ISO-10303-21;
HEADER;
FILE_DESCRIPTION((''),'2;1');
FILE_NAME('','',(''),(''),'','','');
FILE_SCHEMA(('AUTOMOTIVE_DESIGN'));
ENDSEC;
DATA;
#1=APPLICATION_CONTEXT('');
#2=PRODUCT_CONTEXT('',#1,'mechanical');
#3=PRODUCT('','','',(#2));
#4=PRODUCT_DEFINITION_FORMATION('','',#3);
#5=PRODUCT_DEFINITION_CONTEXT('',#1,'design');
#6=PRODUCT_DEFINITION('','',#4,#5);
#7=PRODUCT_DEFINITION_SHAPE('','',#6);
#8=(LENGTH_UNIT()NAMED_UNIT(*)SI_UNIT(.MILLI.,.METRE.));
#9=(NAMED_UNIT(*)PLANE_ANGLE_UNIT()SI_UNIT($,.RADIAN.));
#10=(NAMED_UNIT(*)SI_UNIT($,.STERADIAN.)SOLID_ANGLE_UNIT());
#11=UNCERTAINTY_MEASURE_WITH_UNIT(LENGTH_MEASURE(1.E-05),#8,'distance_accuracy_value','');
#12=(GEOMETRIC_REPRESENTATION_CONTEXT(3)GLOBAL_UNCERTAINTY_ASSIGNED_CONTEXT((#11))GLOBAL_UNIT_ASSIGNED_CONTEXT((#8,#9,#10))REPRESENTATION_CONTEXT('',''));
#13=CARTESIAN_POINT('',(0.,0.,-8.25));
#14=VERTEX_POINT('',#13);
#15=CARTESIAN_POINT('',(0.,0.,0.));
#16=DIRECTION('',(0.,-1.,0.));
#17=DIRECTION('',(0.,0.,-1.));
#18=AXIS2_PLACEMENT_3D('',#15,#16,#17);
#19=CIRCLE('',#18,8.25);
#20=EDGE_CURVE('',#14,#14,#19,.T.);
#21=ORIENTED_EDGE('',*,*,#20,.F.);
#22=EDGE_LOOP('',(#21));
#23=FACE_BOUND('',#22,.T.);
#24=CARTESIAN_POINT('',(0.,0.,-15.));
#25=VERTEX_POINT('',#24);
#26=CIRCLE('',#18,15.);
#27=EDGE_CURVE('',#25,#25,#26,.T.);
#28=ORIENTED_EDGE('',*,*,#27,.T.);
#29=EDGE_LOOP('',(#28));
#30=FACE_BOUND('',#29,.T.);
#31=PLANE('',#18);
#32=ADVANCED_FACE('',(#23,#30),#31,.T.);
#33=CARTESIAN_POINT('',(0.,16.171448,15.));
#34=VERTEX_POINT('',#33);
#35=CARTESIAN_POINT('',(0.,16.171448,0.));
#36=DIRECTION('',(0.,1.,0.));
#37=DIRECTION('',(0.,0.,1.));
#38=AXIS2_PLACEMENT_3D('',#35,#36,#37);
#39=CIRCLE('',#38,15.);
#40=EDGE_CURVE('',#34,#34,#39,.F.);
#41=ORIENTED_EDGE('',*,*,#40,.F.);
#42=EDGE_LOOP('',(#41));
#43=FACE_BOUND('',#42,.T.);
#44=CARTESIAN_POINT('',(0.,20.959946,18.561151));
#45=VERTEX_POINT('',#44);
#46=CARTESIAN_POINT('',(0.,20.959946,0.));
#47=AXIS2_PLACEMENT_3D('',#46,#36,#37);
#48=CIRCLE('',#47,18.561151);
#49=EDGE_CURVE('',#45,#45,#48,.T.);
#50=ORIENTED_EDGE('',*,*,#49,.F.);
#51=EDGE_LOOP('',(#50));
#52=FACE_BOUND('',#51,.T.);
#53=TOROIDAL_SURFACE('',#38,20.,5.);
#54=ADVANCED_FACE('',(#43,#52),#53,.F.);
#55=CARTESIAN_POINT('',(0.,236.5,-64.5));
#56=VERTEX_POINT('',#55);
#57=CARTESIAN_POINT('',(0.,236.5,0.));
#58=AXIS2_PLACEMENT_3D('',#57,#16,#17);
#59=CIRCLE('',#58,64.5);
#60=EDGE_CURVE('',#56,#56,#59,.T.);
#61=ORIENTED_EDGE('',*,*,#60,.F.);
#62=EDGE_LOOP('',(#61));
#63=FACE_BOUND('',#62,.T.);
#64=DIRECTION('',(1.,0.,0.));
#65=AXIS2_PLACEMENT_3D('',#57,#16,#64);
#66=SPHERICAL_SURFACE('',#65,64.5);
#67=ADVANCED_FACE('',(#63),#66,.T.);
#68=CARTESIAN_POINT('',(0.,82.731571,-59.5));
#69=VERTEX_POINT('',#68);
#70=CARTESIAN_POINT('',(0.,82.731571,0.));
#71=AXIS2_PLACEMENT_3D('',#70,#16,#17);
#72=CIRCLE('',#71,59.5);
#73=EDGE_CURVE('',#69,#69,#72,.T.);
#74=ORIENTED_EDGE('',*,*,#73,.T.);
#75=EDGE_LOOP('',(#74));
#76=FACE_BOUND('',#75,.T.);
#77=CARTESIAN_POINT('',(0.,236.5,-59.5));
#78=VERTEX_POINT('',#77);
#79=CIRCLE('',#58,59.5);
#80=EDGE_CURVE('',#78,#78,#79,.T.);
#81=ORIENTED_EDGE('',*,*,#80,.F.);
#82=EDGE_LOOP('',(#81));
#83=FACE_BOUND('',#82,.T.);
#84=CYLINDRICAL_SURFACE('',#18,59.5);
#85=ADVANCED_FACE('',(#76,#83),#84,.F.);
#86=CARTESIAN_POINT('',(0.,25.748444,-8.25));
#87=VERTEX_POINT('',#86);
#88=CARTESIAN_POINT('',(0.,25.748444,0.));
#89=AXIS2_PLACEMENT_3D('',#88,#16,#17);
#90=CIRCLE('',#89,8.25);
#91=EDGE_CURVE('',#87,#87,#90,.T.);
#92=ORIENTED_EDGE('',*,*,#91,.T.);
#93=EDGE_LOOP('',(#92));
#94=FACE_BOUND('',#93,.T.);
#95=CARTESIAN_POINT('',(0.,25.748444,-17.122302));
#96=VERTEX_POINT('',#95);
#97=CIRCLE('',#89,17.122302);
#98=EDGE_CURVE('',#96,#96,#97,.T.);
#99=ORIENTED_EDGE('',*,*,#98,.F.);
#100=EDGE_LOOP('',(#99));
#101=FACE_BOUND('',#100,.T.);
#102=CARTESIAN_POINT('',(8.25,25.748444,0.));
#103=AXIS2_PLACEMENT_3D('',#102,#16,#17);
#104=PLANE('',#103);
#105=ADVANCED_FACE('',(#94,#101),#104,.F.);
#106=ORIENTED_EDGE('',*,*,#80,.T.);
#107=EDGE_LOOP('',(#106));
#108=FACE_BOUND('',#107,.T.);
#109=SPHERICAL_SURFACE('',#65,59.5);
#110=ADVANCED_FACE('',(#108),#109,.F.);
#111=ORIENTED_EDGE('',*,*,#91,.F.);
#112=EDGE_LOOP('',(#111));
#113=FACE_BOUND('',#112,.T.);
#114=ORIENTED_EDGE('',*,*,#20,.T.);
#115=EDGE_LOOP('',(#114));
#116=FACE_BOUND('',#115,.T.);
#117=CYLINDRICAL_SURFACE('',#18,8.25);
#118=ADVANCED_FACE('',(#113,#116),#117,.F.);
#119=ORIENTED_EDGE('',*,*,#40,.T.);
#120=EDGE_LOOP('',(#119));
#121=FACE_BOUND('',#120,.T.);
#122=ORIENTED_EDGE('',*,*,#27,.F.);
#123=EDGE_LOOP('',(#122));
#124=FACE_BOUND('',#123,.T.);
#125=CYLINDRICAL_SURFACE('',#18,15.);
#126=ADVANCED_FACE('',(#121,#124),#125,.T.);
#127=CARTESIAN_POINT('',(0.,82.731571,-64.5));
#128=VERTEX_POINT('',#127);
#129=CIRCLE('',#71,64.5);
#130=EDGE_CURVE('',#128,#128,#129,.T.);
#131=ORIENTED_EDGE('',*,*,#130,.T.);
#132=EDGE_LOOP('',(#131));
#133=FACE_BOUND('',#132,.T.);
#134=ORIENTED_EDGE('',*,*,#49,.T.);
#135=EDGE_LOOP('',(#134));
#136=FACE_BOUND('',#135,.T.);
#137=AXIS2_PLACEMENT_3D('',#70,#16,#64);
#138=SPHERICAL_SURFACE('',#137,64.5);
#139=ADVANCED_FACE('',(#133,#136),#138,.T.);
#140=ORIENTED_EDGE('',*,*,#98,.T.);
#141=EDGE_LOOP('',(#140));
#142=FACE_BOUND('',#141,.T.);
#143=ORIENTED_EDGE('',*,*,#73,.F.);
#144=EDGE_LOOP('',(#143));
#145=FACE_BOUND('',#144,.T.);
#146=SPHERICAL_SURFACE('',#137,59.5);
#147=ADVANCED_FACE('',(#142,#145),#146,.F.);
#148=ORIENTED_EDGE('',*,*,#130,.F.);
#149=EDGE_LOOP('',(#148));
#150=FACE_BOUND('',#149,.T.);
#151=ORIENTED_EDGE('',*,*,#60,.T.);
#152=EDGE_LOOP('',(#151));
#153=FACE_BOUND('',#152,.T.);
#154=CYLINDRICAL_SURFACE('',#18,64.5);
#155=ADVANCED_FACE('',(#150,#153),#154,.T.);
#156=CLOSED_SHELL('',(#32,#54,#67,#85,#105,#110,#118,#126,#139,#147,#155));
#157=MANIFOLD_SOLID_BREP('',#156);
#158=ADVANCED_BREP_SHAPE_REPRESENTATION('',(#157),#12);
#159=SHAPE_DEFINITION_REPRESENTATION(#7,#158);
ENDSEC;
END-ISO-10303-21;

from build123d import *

# Parameters (mm, degrees)
M18X1_5_TAPPED_HOLE1_D     = 16.5
M18X1_5_TAPPED_HOLE1_DEPTH = 15.042899893
M18X1_5_TAPPED_HOLE1_TIP   = 4.957100107
FILLET1_R                  = 5


with BuildPart() as part:
    # Sketch1 → Revolve1 (revolve)
    with BuildSketch(Plane.XY, mode=Mode.PRIVATE) as revolve1_sk:
        with BuildLine():
            Line((0, 0), (15, 0))
            Line((15, 0), (15, 20))
            ThreePointArc((15, 20), (50.634721289, 42.776909193), (64.5, 82.731570999))
            Line((64.5, 82.731570999), (64.5, 236.5))
            ThreePointArc((64.5, 236.5), (45.608387387, 282.108387387), (0, 301))
            Line((0, 301), (0, 0))
        make_face()
    revolve(revolve1_sk.sketch.rotate(Axis((0, 0, 0), (0, 1, 0)), 90), axis=Axis((0, 0, 0), (0, 1, 0)))

    # M18x1.5 Tapped Hole1
    with Locations(Plane(origin=(0, 0, 0), x_dir=(-1, 0, 0), z_dir=(0, -1, 0))):
        with Locations((0, 0)):
            Hole(M18X1_5_TAPPED_HOLE1_D / 2, depth=M18X1_5_TAPPED_HOLE1_DEPTH)
            with Locations((0, 0, -(M18X1_5_TAPPED_HOLE1_DEPTH + M18X1_5_TAPPED_HOLE1_TIP / 2))):  # 118° drill point
                Cone(0, M18X1_5_TAPPED_HOLE1_D / 2, M18X1_5_TAPPED_HOLE1_TIP, mode=Mode.SUBTRACT)

    # Fillet1
    fillet1_edges = [part.edges().sort_by_distance(p)[0] for p in [
        (0, 20, 15),
    ]]
    fillet(fillet1_edges, radius=FILLET1_R)

    # Sketch4 → Cut-Revolve1 (revolve, cut)
    with BuildSketch(Plane.XY):
        with BuildLine():
            Line((8.25, 15.042899893), (8.25, 25.748443945))
            Line((8.25, 25.748443945), (17.122302158, 25.748443945))
            ThreePointArc((17.122302158, 25.748443945), (47.74425085, 47.224719396), (59.5, 82.731570999))
            Line((59.5, 82.731570999), (59.5, 236.5))
            ThreePointArc((59.5, 236.5), (42.072853481, 278.572853481), (0, 296))
            Line((0, 296), (0, 15.042899893))
            Line((0, 15.042899893), (8.25, 15.042899893))
        make_face()
    revolve(axis=Axis((0, 0, 0), (0, 1, 0)), mode=Mode.SUBTRACT)


solid = part.part
